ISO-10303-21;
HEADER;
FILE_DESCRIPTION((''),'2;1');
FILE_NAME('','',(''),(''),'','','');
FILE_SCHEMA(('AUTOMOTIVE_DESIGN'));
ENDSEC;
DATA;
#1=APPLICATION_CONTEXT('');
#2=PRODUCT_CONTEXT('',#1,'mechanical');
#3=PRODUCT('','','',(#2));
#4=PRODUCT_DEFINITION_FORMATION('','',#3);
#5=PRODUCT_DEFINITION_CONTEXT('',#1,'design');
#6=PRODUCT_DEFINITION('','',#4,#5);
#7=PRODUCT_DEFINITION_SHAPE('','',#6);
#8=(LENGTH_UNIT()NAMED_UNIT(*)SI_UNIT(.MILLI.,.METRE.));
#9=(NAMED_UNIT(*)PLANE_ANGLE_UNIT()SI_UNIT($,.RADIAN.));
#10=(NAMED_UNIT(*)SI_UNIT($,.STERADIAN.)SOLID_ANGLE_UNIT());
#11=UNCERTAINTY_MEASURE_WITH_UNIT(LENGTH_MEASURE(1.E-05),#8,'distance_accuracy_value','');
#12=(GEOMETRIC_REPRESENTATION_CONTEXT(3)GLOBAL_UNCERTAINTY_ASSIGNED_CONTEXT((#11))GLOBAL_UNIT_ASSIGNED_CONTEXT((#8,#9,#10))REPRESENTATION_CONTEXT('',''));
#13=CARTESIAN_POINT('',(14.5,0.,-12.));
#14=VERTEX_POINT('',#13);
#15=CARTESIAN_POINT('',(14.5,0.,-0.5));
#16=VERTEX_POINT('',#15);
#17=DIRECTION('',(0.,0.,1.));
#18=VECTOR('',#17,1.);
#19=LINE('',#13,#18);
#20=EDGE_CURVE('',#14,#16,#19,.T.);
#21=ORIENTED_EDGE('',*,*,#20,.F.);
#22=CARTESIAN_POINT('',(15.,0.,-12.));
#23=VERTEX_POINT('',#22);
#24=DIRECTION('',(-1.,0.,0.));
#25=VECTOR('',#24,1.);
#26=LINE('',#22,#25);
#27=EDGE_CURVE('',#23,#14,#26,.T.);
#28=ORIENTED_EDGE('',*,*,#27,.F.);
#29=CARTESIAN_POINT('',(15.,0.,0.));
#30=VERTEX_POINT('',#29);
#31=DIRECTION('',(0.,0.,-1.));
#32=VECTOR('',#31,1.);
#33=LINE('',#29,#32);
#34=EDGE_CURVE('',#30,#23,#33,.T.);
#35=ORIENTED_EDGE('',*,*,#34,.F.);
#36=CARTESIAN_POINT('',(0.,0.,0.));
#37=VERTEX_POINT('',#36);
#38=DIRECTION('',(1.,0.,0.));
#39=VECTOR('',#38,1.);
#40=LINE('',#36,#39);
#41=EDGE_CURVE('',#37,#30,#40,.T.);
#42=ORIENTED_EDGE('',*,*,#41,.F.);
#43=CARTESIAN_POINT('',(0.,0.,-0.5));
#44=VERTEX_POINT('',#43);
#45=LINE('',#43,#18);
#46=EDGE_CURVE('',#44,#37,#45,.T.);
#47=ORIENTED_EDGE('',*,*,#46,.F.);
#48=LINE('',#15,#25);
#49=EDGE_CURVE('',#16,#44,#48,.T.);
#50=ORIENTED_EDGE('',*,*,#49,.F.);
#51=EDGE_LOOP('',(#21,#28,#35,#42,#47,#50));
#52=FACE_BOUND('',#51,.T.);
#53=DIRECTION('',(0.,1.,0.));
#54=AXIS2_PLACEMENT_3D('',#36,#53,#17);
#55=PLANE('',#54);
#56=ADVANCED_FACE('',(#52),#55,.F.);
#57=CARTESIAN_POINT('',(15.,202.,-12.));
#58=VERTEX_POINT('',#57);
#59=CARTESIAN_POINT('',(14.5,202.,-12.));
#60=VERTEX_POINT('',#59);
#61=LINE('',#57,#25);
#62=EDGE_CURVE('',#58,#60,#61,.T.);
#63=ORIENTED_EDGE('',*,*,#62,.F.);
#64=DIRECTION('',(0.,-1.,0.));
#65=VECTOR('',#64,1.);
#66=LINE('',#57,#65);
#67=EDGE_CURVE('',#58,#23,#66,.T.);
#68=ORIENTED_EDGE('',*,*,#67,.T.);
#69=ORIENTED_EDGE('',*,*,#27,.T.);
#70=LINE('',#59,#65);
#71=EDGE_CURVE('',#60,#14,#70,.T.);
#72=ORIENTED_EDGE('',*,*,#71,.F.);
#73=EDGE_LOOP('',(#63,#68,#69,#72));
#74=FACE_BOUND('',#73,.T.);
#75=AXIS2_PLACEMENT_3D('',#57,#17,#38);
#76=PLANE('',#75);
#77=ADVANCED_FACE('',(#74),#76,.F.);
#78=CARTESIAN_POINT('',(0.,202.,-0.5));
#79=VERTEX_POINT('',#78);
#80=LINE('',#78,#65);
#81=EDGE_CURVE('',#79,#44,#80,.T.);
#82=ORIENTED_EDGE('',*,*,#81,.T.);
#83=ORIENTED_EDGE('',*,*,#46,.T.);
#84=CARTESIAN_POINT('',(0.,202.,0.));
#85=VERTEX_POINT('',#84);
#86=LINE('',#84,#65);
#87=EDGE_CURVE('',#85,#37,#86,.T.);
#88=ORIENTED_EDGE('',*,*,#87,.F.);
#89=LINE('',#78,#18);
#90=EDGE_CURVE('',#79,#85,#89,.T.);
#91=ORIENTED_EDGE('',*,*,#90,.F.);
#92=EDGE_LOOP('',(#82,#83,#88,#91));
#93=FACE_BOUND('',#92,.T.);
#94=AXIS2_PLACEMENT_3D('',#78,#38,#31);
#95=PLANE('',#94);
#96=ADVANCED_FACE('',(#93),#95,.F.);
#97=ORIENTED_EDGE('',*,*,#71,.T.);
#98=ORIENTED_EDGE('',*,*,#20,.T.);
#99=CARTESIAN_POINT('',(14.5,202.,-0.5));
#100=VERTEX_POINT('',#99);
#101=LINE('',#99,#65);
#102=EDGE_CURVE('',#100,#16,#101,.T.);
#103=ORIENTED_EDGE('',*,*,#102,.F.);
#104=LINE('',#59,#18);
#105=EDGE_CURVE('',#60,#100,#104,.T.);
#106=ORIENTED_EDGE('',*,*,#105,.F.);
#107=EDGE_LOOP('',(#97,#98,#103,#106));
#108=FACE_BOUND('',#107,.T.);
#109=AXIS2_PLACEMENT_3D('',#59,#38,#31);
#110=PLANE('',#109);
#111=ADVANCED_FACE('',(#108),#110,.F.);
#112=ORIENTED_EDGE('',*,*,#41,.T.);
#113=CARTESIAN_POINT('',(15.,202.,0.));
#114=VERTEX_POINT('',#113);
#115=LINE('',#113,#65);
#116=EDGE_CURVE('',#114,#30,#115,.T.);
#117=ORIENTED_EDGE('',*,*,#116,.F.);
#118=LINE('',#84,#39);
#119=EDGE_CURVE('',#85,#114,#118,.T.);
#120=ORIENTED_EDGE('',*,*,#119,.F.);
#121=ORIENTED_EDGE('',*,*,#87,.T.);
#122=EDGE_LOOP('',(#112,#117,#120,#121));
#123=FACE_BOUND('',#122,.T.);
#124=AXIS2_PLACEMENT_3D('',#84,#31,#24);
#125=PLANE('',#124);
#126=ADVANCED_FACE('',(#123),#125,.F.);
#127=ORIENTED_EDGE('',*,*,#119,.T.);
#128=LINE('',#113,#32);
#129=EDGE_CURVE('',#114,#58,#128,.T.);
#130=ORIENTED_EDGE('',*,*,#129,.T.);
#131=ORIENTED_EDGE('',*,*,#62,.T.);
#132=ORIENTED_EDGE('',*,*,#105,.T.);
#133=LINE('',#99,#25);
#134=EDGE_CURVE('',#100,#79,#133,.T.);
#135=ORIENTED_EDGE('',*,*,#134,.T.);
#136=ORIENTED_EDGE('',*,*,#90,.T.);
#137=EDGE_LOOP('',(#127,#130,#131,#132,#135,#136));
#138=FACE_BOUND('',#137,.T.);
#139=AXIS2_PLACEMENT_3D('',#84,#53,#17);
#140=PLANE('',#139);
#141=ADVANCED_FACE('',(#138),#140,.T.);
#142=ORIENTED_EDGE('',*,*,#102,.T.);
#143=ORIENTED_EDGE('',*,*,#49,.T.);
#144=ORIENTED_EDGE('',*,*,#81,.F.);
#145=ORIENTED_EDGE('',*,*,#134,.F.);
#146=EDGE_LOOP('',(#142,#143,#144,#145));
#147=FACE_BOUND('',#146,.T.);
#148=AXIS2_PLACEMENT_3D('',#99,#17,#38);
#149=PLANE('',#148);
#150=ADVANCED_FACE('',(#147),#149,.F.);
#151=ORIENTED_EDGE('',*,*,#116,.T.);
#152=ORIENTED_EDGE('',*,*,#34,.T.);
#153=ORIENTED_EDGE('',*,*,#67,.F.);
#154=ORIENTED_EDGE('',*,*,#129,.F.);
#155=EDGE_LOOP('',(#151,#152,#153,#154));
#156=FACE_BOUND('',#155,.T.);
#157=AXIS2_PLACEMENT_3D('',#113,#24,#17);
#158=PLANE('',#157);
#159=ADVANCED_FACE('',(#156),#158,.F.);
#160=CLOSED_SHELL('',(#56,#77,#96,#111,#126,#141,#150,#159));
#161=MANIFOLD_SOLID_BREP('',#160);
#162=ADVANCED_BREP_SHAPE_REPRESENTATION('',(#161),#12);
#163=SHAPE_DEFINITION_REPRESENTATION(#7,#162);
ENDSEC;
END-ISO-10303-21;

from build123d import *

# Parameters (mm, degrees)
BOSS_EXTRUDE1_DEPTH = 202


with BuildPart() as part:
    # Sketch1 → Boss-Extrude1 (new body)
    with BuildSketch(Plane(origin=(0, 0, 0), x_dir=(1, 0, 0), z_dir=(0, 1, 0))):
        Polygon((0, 0), (15, 0), (15, 12), (14.5, 12), (14.5, 0.5), (0, 0.5), align=None)
    extrude(amount=BOSS_EXTRUDE1_DEPTH)


solid = part.part
